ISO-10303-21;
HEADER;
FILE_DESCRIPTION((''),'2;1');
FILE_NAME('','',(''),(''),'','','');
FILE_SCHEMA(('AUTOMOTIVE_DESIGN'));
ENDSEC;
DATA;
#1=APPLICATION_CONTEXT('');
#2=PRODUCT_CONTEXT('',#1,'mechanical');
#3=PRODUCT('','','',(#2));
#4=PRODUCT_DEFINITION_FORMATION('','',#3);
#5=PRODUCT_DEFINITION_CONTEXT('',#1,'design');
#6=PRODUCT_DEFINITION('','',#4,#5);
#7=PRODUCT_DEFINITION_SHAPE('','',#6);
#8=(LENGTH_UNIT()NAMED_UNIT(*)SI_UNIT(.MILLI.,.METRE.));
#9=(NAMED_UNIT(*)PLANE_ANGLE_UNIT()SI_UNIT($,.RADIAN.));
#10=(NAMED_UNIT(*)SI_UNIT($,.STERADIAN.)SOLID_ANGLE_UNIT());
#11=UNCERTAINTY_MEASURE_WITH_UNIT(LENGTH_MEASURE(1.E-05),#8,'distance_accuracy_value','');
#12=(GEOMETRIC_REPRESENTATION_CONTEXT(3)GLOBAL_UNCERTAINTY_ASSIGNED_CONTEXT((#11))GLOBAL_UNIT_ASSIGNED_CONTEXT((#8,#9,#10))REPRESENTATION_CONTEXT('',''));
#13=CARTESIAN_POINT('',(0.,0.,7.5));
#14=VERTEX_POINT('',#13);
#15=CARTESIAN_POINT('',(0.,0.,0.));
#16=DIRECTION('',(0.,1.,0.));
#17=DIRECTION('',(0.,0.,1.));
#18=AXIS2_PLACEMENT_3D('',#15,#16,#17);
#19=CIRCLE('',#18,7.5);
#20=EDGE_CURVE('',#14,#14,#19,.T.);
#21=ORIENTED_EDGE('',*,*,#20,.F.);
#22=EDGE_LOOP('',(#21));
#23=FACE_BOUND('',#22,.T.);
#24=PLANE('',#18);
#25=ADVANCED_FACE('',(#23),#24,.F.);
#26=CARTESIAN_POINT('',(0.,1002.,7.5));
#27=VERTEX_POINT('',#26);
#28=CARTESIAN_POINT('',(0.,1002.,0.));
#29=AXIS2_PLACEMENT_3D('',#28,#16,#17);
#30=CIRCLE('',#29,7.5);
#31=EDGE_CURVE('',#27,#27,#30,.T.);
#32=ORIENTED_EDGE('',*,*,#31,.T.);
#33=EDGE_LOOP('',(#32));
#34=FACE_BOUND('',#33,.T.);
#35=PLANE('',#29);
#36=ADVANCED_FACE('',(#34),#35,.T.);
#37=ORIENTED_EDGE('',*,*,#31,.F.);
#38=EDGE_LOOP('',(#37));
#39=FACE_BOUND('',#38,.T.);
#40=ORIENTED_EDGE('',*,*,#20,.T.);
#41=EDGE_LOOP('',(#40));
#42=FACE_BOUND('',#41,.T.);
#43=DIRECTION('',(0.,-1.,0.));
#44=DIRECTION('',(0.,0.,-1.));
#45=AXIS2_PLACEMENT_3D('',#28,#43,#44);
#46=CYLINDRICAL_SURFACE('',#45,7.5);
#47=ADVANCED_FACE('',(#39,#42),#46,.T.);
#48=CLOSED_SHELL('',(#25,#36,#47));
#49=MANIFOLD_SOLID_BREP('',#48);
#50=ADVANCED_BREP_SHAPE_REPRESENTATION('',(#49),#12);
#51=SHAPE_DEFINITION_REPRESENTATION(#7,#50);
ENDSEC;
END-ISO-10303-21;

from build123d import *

# Parameters (mm, degrees)
SKETCH_1_R      = 7.5
EXTRUDE_1_DEPTH = 1002


with BuildPart() as part:
    # 스케치1 → 보스-돌출1 (new body)
    with BuildSketch(Plane(origin=(0, 0, 0), x_dir=(1, 0, 0), z_dir=(0, 1, 0))):
        with Locations(Location((0, 0, 0), (0, 0, 270))):
            Circle(SKETCH_1_R)
    extrude(amount=EXTRUDE_1_DEPTH)


solid = part.part
